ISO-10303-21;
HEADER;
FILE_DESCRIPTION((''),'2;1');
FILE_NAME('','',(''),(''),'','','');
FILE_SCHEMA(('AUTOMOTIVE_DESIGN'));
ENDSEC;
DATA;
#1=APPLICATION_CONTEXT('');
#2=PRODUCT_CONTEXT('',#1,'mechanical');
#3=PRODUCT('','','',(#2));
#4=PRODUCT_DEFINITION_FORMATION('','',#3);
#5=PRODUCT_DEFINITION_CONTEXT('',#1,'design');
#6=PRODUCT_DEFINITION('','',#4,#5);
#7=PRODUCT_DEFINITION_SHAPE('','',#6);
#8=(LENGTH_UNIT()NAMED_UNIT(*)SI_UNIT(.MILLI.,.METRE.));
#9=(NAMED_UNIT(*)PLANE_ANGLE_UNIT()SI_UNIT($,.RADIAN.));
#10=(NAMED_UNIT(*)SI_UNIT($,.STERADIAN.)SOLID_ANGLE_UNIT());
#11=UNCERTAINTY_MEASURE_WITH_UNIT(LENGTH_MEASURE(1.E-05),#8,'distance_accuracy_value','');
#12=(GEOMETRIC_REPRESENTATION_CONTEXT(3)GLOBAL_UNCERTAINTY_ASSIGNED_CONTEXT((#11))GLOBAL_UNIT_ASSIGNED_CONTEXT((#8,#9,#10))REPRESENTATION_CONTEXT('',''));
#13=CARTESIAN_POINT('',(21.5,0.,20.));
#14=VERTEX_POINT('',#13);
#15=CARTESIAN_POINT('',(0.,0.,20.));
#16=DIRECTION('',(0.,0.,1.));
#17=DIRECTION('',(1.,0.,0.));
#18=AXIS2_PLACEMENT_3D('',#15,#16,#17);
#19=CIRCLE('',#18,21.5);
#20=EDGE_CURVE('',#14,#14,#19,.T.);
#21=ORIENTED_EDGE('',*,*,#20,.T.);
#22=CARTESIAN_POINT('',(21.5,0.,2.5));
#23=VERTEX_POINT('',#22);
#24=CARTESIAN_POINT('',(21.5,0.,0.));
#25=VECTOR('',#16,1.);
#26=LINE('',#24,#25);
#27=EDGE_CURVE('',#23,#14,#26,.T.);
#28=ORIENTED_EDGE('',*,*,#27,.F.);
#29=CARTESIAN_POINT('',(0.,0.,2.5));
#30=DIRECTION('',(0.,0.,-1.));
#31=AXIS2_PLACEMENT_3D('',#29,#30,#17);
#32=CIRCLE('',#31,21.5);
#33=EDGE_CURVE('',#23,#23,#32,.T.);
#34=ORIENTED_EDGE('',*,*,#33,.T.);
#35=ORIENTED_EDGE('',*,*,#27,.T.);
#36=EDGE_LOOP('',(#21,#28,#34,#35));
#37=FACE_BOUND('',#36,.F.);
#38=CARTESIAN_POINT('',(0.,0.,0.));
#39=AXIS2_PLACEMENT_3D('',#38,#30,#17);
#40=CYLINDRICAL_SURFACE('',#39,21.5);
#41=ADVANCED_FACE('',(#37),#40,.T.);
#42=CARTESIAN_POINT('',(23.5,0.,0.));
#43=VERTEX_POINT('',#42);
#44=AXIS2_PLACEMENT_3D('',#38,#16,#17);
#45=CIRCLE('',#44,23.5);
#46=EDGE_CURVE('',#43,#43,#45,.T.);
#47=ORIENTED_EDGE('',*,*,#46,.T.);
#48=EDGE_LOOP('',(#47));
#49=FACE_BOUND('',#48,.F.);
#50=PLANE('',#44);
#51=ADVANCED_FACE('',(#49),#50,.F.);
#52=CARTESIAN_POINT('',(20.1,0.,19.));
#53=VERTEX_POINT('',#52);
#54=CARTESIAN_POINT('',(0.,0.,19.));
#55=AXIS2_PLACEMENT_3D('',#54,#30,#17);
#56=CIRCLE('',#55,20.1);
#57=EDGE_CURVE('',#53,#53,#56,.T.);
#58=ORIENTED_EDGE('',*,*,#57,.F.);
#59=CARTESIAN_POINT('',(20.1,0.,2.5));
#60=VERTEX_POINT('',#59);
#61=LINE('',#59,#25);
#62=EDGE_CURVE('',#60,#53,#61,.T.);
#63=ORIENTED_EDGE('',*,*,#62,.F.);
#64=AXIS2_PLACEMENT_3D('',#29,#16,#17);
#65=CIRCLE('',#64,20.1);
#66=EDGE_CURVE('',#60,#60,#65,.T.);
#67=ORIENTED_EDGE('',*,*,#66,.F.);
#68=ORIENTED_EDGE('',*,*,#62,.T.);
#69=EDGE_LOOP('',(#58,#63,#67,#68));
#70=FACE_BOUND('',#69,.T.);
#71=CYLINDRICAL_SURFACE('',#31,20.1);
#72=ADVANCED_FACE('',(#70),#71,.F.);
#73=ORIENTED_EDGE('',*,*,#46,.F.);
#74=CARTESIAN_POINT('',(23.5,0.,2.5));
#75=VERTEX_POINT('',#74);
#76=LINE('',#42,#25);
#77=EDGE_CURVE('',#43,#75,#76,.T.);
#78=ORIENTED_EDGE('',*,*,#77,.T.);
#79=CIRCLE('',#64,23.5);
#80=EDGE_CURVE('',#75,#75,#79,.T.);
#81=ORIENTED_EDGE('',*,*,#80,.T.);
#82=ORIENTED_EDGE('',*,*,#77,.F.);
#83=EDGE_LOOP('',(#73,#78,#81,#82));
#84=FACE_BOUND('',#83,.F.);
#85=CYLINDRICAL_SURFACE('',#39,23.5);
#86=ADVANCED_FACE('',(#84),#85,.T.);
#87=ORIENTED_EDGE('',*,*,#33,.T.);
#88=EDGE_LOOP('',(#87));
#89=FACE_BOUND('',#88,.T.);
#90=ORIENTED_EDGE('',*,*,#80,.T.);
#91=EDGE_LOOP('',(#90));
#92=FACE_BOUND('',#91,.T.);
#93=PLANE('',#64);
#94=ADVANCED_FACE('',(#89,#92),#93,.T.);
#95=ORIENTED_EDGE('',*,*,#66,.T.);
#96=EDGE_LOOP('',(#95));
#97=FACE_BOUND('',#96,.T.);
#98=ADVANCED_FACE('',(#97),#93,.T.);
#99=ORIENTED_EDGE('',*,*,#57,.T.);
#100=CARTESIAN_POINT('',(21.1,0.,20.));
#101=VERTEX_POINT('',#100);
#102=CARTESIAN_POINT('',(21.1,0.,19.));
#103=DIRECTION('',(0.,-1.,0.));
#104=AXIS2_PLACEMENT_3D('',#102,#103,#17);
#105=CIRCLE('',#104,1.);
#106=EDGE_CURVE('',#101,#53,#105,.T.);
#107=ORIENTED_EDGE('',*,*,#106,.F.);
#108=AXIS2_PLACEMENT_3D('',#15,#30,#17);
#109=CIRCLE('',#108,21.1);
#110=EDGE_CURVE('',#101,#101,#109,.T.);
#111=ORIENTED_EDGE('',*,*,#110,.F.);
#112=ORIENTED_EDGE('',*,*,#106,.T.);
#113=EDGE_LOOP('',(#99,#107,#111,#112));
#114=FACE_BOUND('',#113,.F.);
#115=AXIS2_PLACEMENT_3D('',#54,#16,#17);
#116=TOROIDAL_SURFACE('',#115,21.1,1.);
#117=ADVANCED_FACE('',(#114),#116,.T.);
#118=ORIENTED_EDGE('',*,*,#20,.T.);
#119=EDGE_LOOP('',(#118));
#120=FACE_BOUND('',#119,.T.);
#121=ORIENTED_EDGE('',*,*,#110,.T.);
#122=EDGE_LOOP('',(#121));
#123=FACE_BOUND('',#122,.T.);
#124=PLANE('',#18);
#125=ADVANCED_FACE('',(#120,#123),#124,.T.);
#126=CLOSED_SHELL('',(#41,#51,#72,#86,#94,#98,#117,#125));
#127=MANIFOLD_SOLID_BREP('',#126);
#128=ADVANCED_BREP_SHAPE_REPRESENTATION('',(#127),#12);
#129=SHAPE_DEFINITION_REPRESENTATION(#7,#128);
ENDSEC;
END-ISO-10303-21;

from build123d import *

# Parameters (mm, degrees)
CYLINDER002_R     = 20.1
CYLINDER002_DEPTH = 30
CYLINDER001_R     = 21.5
CYLINDER001_DEPTH = 20
FILLET_R          = 1
CYLINDER_R        = 23.5
CYLINDER_DEPTH    = 2.5


with BuildPart() as cylinder002:
    # Cylinder002 → Cylinder002 (new body)
    with BuildSketch(Plane.XY.offset(2.5)):
        Circle(CYLINDER002_R)
    extrude(amount=CYLINDER002_DEPTH)


with BuildPart() as fillet_body:
    # Cylinder001 → Cylinder001 (new body)
    with BuildSketch(Plane.XY):
        Circle(CYLINDER001_R)
    extrude(amount=CYLINDER001_DEPTH)

    # Cut: cut Cylinder002
    add(cylinder002.part, mode=Mode.SUBTRACT)

    # Fillet
    fillet_edges = [fillet_body.edges().sort_by_distance(p)[0] for p in [
        (-20.1, 0, 20),
    ]]
    fillet(fillet_edges, radius=FILLET_R)


with BuildPart() as fusion:
    # Cylinder → Cylinder (new body)
    with BuildSketch(Plane.XY):
        Circle(CYLINDER_R)
    extrude(amount=CYLINDER_DEPTH)

    # Fusion: union Fillet body
    add(fillet_body.part)


solid = fusion.part
